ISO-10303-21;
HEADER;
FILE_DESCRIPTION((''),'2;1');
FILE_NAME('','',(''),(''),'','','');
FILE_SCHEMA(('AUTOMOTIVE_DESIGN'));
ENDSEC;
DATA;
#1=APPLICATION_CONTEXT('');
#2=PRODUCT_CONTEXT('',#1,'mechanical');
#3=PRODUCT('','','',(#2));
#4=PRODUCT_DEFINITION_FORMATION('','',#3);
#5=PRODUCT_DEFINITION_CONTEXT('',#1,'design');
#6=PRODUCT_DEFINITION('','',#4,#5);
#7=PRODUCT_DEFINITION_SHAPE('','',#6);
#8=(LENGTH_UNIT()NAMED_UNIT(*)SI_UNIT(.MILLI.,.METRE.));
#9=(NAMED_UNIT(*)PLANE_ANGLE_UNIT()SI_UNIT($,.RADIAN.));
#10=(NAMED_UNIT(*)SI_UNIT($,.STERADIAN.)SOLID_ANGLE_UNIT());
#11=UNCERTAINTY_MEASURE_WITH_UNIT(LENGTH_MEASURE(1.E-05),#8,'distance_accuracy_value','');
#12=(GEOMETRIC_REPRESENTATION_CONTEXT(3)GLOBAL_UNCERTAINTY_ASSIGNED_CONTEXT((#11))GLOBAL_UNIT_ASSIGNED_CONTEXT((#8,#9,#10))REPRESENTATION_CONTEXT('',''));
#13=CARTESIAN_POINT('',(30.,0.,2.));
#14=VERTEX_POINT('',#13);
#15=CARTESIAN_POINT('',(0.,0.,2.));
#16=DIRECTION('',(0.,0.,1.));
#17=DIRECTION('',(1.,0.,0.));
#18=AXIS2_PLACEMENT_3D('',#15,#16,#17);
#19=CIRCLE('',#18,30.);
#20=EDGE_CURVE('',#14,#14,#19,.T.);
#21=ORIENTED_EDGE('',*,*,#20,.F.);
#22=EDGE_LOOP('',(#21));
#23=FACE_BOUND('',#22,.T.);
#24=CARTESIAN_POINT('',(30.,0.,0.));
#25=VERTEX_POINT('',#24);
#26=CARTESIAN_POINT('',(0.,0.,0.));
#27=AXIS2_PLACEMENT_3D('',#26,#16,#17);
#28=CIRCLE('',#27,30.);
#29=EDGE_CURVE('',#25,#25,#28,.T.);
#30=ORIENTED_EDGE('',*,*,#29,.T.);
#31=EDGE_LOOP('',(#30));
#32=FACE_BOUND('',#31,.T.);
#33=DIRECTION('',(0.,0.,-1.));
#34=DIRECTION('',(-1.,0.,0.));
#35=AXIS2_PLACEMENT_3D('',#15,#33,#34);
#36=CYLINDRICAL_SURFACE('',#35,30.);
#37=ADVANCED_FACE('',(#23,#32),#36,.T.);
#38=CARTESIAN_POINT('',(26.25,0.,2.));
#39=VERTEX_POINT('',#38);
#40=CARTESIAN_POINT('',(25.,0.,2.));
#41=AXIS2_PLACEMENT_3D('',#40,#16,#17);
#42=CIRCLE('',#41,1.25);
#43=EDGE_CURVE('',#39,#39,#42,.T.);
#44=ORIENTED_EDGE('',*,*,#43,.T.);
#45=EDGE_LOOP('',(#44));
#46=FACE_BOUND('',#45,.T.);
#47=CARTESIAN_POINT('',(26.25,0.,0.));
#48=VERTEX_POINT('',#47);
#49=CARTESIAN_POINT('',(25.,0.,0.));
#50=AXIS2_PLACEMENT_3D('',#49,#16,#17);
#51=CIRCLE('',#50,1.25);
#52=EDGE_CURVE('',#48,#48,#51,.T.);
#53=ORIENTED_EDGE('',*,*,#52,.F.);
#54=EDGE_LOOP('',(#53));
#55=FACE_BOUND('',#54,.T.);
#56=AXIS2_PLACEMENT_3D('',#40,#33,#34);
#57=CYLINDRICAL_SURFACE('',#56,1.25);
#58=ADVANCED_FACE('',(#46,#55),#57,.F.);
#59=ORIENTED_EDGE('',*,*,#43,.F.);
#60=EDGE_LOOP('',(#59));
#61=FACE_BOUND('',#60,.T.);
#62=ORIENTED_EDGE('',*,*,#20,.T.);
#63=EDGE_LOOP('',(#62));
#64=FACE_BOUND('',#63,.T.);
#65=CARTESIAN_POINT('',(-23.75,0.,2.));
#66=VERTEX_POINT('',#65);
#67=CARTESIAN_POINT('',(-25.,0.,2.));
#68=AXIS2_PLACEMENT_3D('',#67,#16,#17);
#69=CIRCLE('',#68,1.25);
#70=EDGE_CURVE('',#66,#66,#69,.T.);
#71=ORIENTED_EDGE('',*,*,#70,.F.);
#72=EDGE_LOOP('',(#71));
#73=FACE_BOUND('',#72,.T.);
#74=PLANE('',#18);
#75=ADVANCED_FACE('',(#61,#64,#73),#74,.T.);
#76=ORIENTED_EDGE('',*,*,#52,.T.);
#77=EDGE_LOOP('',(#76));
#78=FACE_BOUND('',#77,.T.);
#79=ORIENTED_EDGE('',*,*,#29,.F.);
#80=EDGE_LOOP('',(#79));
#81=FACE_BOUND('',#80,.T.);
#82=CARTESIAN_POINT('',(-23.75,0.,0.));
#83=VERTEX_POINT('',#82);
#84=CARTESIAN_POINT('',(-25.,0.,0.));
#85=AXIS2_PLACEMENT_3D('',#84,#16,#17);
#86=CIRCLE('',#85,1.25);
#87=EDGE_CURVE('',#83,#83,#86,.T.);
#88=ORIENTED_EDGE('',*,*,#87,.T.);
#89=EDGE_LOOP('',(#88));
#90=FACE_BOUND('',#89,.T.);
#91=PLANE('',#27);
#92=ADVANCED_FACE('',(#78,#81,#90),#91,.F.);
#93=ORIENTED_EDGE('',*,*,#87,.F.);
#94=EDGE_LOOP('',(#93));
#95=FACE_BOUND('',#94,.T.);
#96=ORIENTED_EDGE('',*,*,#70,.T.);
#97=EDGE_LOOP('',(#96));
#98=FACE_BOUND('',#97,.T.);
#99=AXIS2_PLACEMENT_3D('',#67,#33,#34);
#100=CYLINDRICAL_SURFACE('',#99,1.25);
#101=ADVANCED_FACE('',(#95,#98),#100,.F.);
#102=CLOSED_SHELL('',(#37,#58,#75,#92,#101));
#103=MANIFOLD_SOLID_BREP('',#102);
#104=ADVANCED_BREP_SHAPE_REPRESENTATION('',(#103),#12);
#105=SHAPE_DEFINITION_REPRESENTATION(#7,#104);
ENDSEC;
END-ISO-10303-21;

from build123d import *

# Parameters (mm, degrees)
ESQUISSE1_R        = 30
ESQUISSE1_R_2      = 1.25
BOSS_EXTRU_1_DEPTH = 2


with BuildPart() as part:
    # Esquisse1 → Boss.-Extru.1 (new body)
    with BuildSketch(Plane.XY):
        Circle(ESQUISSE1_R)
        with Locations((25, 0)):
            Circle(ESQUISSE1_R_2, mode=Mode.SUBTRACT)
        with Locations((-25, 0)):
            Circle(ESQUISSE1_R_2, mode=Mode.SUBTRACT)
    extrude(amount=BOSS_EXTRU_1_DEPTH)


solid = part.part
